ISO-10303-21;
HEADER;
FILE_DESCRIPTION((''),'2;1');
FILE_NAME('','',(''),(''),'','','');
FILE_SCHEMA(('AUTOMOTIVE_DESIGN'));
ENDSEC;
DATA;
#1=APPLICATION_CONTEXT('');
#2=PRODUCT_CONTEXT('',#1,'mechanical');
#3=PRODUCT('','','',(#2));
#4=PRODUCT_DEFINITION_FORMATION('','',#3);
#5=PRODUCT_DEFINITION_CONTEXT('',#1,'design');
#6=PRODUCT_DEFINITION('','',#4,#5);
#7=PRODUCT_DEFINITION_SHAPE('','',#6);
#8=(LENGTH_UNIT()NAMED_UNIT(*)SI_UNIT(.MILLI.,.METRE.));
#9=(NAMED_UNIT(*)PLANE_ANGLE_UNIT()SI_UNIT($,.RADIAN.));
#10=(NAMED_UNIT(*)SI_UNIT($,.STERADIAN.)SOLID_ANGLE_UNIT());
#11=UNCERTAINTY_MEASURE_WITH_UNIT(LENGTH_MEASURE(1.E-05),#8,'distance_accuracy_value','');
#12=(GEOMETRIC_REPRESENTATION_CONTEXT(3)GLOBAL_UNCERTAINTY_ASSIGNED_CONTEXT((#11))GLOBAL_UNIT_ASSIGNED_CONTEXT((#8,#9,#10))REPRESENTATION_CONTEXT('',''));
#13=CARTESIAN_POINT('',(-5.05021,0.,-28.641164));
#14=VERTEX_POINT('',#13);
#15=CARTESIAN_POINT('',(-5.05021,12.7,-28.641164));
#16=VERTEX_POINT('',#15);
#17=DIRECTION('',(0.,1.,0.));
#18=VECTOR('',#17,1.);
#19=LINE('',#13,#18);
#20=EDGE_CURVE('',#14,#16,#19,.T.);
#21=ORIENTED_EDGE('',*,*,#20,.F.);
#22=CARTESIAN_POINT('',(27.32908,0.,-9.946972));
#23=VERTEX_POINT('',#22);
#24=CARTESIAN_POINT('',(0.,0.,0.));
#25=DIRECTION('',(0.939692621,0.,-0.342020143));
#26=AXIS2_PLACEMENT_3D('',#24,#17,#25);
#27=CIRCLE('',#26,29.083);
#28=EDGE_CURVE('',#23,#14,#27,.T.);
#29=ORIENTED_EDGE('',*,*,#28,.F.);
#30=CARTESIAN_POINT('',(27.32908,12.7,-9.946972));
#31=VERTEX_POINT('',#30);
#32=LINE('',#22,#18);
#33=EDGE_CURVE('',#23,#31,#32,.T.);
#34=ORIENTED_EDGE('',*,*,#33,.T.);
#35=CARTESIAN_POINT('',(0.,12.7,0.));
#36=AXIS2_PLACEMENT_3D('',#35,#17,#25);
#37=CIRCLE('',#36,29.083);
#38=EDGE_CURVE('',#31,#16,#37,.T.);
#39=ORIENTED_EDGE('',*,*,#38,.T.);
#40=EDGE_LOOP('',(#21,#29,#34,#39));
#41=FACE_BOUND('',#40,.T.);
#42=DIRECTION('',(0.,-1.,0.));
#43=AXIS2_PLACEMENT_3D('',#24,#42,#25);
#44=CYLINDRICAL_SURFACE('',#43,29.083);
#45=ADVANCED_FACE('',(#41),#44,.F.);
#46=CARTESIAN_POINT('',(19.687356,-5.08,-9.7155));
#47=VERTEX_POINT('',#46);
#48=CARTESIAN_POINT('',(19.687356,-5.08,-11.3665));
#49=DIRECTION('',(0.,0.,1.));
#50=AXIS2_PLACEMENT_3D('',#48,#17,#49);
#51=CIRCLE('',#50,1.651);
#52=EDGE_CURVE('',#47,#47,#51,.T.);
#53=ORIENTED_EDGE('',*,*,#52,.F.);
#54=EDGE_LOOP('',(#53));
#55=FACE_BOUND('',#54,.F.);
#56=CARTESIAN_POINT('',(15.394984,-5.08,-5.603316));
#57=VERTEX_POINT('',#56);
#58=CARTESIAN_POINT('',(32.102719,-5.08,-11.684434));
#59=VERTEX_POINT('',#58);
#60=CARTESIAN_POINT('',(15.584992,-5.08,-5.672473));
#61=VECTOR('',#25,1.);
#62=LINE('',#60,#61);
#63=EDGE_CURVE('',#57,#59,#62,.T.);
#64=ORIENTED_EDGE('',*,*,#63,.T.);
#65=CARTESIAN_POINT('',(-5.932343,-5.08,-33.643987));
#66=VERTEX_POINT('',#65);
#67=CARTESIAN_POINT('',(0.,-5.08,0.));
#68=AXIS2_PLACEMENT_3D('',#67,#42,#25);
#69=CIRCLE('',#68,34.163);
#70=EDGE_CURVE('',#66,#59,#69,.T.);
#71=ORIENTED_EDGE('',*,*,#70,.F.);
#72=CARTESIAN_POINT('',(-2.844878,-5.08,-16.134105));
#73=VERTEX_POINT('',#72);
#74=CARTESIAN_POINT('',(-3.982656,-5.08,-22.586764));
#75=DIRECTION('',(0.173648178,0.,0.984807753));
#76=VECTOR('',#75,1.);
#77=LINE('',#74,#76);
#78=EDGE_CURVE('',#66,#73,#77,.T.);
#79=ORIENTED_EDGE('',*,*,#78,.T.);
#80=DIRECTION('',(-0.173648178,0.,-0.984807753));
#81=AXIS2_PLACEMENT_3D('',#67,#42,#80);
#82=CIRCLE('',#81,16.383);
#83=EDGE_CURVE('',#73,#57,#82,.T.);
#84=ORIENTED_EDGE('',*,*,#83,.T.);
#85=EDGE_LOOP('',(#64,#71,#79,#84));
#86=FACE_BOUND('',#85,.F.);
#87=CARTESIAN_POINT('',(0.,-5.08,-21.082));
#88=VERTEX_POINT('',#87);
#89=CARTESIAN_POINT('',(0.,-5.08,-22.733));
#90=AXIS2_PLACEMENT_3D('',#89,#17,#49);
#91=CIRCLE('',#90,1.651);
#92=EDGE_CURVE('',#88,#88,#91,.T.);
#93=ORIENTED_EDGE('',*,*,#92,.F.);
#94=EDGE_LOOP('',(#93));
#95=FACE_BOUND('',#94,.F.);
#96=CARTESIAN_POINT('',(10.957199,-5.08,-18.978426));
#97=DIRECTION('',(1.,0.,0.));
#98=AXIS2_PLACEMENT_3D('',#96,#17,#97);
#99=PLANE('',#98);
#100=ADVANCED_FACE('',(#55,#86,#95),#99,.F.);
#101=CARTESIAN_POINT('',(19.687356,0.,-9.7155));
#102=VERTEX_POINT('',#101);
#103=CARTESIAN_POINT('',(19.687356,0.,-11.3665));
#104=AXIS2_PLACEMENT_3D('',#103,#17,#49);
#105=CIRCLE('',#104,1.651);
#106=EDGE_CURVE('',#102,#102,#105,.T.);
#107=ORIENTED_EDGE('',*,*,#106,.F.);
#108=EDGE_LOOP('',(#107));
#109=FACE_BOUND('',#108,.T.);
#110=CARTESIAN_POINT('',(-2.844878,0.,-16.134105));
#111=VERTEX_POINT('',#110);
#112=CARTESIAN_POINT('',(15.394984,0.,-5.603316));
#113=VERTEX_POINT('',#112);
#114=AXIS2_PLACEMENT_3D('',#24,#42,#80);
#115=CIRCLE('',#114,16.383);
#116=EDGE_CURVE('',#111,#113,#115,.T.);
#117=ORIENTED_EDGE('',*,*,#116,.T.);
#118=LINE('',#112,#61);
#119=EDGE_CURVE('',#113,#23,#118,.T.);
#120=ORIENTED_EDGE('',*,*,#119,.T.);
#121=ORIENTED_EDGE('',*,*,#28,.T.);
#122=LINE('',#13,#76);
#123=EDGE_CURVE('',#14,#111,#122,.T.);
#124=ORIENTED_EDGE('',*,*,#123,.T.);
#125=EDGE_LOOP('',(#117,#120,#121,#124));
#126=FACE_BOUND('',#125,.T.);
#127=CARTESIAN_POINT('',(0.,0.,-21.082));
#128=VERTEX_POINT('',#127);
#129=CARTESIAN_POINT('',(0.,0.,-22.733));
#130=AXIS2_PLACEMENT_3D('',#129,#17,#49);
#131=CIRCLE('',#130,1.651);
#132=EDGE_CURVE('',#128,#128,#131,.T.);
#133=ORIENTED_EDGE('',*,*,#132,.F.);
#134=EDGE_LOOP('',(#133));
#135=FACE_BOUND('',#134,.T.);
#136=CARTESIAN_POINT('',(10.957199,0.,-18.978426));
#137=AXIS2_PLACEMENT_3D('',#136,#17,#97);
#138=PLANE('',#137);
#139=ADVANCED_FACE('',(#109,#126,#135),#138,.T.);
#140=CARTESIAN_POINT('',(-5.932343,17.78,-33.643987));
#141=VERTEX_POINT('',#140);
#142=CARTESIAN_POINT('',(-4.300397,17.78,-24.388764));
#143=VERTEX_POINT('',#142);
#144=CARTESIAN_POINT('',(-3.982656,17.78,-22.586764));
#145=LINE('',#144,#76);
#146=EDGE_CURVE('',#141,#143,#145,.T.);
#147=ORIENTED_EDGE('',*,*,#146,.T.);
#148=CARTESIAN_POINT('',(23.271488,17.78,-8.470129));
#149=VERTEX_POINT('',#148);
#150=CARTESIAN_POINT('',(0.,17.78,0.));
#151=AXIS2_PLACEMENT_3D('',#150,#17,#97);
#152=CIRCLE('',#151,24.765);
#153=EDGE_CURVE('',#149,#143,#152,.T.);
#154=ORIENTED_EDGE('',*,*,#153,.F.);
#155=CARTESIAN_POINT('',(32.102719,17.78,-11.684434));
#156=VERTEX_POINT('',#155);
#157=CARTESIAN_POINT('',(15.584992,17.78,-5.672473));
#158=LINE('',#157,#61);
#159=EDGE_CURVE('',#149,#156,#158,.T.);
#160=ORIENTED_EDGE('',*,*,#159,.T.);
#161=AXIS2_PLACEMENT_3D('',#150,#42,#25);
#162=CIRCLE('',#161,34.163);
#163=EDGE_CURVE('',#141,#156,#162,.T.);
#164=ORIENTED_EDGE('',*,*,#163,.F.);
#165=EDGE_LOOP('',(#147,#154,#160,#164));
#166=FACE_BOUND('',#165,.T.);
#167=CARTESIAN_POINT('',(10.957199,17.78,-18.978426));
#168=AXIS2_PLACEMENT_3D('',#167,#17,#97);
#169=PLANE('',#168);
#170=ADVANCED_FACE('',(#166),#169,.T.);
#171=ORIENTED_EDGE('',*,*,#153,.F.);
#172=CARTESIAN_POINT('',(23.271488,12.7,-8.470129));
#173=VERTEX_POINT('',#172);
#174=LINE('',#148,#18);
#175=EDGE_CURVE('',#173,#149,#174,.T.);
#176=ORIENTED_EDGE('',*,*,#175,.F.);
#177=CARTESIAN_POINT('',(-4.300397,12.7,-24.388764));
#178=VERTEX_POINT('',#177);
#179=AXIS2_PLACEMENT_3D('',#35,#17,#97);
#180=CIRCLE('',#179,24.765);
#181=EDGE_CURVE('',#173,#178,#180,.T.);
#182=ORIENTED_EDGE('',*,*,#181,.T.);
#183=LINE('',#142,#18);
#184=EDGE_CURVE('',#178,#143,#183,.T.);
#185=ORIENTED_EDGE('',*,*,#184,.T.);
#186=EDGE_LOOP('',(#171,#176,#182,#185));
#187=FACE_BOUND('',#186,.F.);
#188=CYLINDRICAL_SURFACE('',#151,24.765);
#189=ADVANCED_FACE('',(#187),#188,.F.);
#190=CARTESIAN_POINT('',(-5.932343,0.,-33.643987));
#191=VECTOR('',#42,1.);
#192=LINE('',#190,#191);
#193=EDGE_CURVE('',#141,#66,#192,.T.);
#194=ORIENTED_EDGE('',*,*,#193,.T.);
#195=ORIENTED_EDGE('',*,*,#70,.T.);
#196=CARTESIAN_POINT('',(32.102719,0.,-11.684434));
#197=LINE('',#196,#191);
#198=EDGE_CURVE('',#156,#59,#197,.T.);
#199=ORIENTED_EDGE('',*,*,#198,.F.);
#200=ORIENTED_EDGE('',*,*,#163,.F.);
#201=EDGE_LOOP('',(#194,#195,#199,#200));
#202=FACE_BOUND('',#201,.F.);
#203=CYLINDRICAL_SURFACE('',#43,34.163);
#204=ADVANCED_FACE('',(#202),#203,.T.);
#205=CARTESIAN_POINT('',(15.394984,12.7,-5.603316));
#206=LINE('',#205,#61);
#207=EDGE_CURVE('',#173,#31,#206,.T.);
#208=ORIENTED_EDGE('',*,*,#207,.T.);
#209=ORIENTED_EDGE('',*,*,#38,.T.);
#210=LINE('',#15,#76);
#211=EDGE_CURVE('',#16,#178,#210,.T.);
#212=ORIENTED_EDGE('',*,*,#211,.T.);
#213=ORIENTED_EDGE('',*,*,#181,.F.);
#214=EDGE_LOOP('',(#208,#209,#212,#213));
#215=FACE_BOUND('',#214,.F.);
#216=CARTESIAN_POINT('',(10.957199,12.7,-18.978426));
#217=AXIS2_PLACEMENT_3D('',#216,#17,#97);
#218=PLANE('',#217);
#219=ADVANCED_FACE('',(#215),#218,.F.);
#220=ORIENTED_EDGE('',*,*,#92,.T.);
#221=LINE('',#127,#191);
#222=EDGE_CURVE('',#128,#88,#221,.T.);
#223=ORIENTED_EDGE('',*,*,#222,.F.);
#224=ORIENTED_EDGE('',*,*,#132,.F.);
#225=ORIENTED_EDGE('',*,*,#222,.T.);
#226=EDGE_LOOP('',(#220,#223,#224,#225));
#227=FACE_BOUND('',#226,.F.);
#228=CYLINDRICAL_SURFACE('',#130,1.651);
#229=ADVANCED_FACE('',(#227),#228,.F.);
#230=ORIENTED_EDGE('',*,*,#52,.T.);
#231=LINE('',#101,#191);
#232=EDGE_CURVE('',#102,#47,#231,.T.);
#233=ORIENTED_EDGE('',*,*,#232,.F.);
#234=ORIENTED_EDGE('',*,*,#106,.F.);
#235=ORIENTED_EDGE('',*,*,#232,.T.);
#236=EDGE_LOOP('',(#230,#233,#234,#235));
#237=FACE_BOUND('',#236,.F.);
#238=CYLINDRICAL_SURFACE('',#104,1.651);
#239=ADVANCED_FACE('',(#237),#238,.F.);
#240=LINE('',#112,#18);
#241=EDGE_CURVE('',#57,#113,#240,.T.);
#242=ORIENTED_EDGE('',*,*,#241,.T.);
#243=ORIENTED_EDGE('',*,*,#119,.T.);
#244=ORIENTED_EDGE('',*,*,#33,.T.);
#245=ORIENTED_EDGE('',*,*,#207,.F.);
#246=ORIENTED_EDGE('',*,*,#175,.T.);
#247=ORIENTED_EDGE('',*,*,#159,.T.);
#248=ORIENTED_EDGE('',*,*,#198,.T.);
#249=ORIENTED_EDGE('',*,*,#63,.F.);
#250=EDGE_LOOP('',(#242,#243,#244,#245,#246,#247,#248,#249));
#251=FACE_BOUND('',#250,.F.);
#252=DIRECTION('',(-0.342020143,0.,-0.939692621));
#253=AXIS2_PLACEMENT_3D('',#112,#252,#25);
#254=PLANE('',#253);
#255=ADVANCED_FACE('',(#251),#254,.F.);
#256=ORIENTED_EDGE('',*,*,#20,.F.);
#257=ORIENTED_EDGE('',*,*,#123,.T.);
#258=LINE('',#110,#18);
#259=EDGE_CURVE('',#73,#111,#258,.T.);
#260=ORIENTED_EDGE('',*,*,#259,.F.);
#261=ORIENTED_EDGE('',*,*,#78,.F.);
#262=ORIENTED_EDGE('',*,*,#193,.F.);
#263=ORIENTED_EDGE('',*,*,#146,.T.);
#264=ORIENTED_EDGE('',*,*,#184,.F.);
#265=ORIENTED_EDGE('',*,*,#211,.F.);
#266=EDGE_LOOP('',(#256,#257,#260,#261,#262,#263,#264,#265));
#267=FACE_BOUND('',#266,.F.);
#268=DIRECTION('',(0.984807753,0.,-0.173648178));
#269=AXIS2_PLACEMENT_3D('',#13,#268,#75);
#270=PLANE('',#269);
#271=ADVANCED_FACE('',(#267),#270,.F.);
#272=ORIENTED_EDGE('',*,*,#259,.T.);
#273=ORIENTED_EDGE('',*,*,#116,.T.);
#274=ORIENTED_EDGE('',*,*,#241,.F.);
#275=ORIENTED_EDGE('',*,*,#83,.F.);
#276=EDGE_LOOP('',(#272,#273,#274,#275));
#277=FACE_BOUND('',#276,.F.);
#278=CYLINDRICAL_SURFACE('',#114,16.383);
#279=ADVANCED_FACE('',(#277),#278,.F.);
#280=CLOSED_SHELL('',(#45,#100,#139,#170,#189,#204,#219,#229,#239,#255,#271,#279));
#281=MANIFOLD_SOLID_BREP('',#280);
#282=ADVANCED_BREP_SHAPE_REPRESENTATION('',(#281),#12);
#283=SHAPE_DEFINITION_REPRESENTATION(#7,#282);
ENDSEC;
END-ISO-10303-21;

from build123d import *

# Parameters (mm, degrees)
BOSS_EXTRUDE1_DEPTH = 12.7
SHELL1_T            = 5.08
SKETCH1_3_R         = 1.651
SKETCH1_3_R_2       = 1.6509999999999996
CUT_EXTRUDE1_DEPTH  = 12.192
SKETCH2_R           = 24.765
CUT_EXTRUDE2_DEPTH  = 5.08


with BuildPart() as part:
    # Sketch1 → Boss-Extrude1 (new body)
    with BuildSketch(Plane(origin=(0, 0, 0), x_dir=(1, 0, 0), z_dir=(0, 1, 0))):
        with BuildLine():
            ThreePointArc((25.18661681826276, 14.541500000000127), (14.541499999999942, 25.186616818262866), (1.78e-15, 29.083000000000002))
            Line((0, 29.083000000000002), (0, 24.384))
            ThreePointArc((-2.409e-14, 24.384), (1.1674332957389815, 23.900433295739), (1.651, 22.733))
            ThreePointArc((1.651, 22.733), (1.1674332957389804, 21.565566704261002), (-2.523e-14, 21.082))
            Line((0, 21.082), (0, 16.383))
            ThreePointArc((1e-15, 16.383000000000003), (8.191499999999966, 14.188094190200482), (14.188094190200419, 8.191500000000074))
            Line((14.188094190200417, 8.191500000000072), (18.257547562583486, 10.541000000000096))
            ThreePointArc((18.257547562583472, 10.541000000000121), (18.86185550423157, 12.796307941648193), (21.11716344587966, 12.192000000000167))
            Line((21.117163445879694, 12.19200000000011), (25.18661681826275, 14.541500000000124))
        make_face()
        with BuildLine():
            ThreePointArc((1.651, 22.733), (1.1674332957389815, 23.900433295739), (-2.409e-14, 24.384))
            Line((0, 24.384), (0, 21.082))
            ThreePointArc((-2.523e-14, 21.082), (1.1674332957389804, 21.565566704261002), (1.651, 22.733))
        make_face()
        with BuildLine():
            Line((0, 21.082), (0, 24.384))
            ThreePointArc((-2.409e-14, 24.384), (-1.651, 22.733), (-2.523e-14, 21.082))
        make_face()
        with BuildLine():
            Line((0, 24.384), (0, 29.083000000000002))
            ThreePointArc((1.78e-15, 29.083000000000002), (-2.5347504663301574, 28.972330404602236), (-5.050209951087366, 28.641163880854045))
            Line((-5.050209951087367, 28.641163880854048), (-2.8448780947173375, 16.134105417599))
            ThreePointArc((-2.8448780947173375, 16.134105417599006), (-1.4278725334348923, 16.320657738837067), (1e-15, 16.383000000000003))
            Line((0, 16.383), (0, 21.082))
            ThreePointArc((-2.523e-14, 21.082), (-1.651, 22.733), (-2.409e-14, 24.384))
        make_face()
        with BuildLine():
            ThreePointArc((21.338355504231593, 11.366500000000098), (21.282099043434833, 11.793810243464398), (21.11716344587966, 12.192000000000167))
            Line((21.117163445879694, 12.19200000000011), (18.257547562583486, 10.541000000000096))
            ThreePointArc((18.257547562583472, 10.541000000000121), (20.11466574769584, 9.771756460796842), (21.338355504231593, 11.366500000000098))
        make_face()
        with BuildLine():
            Line((18.257547562583486, 10.541000000000096), (21.117163445879694, 12.19200000000011))
            ThreePointArc((21.11716344587966, 12.192000000000167), (18.86185550423157, 12.796307941648193), (18.257547562583472, 10.541000000000121))
        make_face()
        with BuildLine():
            ThreePointArc((27.32908049031651, 9.9469718283406), (26.358149370386823, 12.291006906204913), (25.18661681826276, 14.541500000000127))
            Line((25.18661681826275, 14.541500000000124), (21.117163445879694, 12.19200000000011))
            ThreePointArc((21.11716344587966, 12.192000000000167), (21.282099043434833, 11.793810243464398), (21.338355504231593, 11.366500000000098))
            ThreePointArc((21.338355504231593, 11.366500000000098), (20.11466574769584, 9.771756460796842), (18.257547562583472, 10.541000000000121))
            Line((18.257547562583486, 10.541000000000096), (14.188094190200417, 8.191500000000072))
            ThreePointArc((14.188094190200419, 8.191500000000074), (14.848040475021392, 6.923754982097979), (15.394984206335495, 5.603316008104555))
            Line((15.394984206335494, 5.603316008104554), (27.329080490316503, 9.946971828340597))
        make_face()
    extrude(amount=BOSS_EXTRUDE1_DEPTH)

    # Shell1
    shell1_openings = [part.faces().sort_by_distance(p)[0] for p in [
        (21.362032348, 6.35, -7.775143918),
        (8.1915, 6.35, -14.18809419),
        (-3.947544023, 6.35, -22.387634649),
    ]]
    offset(amount=SHELL1_T, openings=shell1_openings, kind=Kind.INTERSECTION)

    # Sketch1<3> → Cut-Extrude1 (cut)
    with BuildSketch(Plane(origin=(0, 0, 0), x_dir=(1, 0, 0), z_dir=(0, 1, 0))):
        with Locations(Location((0, 22.733, 0), (0, 0, 270))):
            Circle(SKETCH1_3_R)
        with Locations(Location((19.687355504231594, 11.366500000000098, 0), (0, 0, 270))):
            Circle(SKETCH1_3_R_2)
    extrude(amount=-CUT_EXTRUDE1_DEPTH, mode=Mode.SUBTRACT)

    # Sketch2 → Cut-Extrude2 (cut)
    with BuildSketch(Plane(origin=(0, 17.78, 0), x_dir=(1, 0, 0), z_dir=(0, 1, 0))):
        Circle(SKETCH2_R)
    extrude(amount=-CUT_EXTRUDE2_DEPTH, mode=Mode.SUBTRACT)


solid = part.part
